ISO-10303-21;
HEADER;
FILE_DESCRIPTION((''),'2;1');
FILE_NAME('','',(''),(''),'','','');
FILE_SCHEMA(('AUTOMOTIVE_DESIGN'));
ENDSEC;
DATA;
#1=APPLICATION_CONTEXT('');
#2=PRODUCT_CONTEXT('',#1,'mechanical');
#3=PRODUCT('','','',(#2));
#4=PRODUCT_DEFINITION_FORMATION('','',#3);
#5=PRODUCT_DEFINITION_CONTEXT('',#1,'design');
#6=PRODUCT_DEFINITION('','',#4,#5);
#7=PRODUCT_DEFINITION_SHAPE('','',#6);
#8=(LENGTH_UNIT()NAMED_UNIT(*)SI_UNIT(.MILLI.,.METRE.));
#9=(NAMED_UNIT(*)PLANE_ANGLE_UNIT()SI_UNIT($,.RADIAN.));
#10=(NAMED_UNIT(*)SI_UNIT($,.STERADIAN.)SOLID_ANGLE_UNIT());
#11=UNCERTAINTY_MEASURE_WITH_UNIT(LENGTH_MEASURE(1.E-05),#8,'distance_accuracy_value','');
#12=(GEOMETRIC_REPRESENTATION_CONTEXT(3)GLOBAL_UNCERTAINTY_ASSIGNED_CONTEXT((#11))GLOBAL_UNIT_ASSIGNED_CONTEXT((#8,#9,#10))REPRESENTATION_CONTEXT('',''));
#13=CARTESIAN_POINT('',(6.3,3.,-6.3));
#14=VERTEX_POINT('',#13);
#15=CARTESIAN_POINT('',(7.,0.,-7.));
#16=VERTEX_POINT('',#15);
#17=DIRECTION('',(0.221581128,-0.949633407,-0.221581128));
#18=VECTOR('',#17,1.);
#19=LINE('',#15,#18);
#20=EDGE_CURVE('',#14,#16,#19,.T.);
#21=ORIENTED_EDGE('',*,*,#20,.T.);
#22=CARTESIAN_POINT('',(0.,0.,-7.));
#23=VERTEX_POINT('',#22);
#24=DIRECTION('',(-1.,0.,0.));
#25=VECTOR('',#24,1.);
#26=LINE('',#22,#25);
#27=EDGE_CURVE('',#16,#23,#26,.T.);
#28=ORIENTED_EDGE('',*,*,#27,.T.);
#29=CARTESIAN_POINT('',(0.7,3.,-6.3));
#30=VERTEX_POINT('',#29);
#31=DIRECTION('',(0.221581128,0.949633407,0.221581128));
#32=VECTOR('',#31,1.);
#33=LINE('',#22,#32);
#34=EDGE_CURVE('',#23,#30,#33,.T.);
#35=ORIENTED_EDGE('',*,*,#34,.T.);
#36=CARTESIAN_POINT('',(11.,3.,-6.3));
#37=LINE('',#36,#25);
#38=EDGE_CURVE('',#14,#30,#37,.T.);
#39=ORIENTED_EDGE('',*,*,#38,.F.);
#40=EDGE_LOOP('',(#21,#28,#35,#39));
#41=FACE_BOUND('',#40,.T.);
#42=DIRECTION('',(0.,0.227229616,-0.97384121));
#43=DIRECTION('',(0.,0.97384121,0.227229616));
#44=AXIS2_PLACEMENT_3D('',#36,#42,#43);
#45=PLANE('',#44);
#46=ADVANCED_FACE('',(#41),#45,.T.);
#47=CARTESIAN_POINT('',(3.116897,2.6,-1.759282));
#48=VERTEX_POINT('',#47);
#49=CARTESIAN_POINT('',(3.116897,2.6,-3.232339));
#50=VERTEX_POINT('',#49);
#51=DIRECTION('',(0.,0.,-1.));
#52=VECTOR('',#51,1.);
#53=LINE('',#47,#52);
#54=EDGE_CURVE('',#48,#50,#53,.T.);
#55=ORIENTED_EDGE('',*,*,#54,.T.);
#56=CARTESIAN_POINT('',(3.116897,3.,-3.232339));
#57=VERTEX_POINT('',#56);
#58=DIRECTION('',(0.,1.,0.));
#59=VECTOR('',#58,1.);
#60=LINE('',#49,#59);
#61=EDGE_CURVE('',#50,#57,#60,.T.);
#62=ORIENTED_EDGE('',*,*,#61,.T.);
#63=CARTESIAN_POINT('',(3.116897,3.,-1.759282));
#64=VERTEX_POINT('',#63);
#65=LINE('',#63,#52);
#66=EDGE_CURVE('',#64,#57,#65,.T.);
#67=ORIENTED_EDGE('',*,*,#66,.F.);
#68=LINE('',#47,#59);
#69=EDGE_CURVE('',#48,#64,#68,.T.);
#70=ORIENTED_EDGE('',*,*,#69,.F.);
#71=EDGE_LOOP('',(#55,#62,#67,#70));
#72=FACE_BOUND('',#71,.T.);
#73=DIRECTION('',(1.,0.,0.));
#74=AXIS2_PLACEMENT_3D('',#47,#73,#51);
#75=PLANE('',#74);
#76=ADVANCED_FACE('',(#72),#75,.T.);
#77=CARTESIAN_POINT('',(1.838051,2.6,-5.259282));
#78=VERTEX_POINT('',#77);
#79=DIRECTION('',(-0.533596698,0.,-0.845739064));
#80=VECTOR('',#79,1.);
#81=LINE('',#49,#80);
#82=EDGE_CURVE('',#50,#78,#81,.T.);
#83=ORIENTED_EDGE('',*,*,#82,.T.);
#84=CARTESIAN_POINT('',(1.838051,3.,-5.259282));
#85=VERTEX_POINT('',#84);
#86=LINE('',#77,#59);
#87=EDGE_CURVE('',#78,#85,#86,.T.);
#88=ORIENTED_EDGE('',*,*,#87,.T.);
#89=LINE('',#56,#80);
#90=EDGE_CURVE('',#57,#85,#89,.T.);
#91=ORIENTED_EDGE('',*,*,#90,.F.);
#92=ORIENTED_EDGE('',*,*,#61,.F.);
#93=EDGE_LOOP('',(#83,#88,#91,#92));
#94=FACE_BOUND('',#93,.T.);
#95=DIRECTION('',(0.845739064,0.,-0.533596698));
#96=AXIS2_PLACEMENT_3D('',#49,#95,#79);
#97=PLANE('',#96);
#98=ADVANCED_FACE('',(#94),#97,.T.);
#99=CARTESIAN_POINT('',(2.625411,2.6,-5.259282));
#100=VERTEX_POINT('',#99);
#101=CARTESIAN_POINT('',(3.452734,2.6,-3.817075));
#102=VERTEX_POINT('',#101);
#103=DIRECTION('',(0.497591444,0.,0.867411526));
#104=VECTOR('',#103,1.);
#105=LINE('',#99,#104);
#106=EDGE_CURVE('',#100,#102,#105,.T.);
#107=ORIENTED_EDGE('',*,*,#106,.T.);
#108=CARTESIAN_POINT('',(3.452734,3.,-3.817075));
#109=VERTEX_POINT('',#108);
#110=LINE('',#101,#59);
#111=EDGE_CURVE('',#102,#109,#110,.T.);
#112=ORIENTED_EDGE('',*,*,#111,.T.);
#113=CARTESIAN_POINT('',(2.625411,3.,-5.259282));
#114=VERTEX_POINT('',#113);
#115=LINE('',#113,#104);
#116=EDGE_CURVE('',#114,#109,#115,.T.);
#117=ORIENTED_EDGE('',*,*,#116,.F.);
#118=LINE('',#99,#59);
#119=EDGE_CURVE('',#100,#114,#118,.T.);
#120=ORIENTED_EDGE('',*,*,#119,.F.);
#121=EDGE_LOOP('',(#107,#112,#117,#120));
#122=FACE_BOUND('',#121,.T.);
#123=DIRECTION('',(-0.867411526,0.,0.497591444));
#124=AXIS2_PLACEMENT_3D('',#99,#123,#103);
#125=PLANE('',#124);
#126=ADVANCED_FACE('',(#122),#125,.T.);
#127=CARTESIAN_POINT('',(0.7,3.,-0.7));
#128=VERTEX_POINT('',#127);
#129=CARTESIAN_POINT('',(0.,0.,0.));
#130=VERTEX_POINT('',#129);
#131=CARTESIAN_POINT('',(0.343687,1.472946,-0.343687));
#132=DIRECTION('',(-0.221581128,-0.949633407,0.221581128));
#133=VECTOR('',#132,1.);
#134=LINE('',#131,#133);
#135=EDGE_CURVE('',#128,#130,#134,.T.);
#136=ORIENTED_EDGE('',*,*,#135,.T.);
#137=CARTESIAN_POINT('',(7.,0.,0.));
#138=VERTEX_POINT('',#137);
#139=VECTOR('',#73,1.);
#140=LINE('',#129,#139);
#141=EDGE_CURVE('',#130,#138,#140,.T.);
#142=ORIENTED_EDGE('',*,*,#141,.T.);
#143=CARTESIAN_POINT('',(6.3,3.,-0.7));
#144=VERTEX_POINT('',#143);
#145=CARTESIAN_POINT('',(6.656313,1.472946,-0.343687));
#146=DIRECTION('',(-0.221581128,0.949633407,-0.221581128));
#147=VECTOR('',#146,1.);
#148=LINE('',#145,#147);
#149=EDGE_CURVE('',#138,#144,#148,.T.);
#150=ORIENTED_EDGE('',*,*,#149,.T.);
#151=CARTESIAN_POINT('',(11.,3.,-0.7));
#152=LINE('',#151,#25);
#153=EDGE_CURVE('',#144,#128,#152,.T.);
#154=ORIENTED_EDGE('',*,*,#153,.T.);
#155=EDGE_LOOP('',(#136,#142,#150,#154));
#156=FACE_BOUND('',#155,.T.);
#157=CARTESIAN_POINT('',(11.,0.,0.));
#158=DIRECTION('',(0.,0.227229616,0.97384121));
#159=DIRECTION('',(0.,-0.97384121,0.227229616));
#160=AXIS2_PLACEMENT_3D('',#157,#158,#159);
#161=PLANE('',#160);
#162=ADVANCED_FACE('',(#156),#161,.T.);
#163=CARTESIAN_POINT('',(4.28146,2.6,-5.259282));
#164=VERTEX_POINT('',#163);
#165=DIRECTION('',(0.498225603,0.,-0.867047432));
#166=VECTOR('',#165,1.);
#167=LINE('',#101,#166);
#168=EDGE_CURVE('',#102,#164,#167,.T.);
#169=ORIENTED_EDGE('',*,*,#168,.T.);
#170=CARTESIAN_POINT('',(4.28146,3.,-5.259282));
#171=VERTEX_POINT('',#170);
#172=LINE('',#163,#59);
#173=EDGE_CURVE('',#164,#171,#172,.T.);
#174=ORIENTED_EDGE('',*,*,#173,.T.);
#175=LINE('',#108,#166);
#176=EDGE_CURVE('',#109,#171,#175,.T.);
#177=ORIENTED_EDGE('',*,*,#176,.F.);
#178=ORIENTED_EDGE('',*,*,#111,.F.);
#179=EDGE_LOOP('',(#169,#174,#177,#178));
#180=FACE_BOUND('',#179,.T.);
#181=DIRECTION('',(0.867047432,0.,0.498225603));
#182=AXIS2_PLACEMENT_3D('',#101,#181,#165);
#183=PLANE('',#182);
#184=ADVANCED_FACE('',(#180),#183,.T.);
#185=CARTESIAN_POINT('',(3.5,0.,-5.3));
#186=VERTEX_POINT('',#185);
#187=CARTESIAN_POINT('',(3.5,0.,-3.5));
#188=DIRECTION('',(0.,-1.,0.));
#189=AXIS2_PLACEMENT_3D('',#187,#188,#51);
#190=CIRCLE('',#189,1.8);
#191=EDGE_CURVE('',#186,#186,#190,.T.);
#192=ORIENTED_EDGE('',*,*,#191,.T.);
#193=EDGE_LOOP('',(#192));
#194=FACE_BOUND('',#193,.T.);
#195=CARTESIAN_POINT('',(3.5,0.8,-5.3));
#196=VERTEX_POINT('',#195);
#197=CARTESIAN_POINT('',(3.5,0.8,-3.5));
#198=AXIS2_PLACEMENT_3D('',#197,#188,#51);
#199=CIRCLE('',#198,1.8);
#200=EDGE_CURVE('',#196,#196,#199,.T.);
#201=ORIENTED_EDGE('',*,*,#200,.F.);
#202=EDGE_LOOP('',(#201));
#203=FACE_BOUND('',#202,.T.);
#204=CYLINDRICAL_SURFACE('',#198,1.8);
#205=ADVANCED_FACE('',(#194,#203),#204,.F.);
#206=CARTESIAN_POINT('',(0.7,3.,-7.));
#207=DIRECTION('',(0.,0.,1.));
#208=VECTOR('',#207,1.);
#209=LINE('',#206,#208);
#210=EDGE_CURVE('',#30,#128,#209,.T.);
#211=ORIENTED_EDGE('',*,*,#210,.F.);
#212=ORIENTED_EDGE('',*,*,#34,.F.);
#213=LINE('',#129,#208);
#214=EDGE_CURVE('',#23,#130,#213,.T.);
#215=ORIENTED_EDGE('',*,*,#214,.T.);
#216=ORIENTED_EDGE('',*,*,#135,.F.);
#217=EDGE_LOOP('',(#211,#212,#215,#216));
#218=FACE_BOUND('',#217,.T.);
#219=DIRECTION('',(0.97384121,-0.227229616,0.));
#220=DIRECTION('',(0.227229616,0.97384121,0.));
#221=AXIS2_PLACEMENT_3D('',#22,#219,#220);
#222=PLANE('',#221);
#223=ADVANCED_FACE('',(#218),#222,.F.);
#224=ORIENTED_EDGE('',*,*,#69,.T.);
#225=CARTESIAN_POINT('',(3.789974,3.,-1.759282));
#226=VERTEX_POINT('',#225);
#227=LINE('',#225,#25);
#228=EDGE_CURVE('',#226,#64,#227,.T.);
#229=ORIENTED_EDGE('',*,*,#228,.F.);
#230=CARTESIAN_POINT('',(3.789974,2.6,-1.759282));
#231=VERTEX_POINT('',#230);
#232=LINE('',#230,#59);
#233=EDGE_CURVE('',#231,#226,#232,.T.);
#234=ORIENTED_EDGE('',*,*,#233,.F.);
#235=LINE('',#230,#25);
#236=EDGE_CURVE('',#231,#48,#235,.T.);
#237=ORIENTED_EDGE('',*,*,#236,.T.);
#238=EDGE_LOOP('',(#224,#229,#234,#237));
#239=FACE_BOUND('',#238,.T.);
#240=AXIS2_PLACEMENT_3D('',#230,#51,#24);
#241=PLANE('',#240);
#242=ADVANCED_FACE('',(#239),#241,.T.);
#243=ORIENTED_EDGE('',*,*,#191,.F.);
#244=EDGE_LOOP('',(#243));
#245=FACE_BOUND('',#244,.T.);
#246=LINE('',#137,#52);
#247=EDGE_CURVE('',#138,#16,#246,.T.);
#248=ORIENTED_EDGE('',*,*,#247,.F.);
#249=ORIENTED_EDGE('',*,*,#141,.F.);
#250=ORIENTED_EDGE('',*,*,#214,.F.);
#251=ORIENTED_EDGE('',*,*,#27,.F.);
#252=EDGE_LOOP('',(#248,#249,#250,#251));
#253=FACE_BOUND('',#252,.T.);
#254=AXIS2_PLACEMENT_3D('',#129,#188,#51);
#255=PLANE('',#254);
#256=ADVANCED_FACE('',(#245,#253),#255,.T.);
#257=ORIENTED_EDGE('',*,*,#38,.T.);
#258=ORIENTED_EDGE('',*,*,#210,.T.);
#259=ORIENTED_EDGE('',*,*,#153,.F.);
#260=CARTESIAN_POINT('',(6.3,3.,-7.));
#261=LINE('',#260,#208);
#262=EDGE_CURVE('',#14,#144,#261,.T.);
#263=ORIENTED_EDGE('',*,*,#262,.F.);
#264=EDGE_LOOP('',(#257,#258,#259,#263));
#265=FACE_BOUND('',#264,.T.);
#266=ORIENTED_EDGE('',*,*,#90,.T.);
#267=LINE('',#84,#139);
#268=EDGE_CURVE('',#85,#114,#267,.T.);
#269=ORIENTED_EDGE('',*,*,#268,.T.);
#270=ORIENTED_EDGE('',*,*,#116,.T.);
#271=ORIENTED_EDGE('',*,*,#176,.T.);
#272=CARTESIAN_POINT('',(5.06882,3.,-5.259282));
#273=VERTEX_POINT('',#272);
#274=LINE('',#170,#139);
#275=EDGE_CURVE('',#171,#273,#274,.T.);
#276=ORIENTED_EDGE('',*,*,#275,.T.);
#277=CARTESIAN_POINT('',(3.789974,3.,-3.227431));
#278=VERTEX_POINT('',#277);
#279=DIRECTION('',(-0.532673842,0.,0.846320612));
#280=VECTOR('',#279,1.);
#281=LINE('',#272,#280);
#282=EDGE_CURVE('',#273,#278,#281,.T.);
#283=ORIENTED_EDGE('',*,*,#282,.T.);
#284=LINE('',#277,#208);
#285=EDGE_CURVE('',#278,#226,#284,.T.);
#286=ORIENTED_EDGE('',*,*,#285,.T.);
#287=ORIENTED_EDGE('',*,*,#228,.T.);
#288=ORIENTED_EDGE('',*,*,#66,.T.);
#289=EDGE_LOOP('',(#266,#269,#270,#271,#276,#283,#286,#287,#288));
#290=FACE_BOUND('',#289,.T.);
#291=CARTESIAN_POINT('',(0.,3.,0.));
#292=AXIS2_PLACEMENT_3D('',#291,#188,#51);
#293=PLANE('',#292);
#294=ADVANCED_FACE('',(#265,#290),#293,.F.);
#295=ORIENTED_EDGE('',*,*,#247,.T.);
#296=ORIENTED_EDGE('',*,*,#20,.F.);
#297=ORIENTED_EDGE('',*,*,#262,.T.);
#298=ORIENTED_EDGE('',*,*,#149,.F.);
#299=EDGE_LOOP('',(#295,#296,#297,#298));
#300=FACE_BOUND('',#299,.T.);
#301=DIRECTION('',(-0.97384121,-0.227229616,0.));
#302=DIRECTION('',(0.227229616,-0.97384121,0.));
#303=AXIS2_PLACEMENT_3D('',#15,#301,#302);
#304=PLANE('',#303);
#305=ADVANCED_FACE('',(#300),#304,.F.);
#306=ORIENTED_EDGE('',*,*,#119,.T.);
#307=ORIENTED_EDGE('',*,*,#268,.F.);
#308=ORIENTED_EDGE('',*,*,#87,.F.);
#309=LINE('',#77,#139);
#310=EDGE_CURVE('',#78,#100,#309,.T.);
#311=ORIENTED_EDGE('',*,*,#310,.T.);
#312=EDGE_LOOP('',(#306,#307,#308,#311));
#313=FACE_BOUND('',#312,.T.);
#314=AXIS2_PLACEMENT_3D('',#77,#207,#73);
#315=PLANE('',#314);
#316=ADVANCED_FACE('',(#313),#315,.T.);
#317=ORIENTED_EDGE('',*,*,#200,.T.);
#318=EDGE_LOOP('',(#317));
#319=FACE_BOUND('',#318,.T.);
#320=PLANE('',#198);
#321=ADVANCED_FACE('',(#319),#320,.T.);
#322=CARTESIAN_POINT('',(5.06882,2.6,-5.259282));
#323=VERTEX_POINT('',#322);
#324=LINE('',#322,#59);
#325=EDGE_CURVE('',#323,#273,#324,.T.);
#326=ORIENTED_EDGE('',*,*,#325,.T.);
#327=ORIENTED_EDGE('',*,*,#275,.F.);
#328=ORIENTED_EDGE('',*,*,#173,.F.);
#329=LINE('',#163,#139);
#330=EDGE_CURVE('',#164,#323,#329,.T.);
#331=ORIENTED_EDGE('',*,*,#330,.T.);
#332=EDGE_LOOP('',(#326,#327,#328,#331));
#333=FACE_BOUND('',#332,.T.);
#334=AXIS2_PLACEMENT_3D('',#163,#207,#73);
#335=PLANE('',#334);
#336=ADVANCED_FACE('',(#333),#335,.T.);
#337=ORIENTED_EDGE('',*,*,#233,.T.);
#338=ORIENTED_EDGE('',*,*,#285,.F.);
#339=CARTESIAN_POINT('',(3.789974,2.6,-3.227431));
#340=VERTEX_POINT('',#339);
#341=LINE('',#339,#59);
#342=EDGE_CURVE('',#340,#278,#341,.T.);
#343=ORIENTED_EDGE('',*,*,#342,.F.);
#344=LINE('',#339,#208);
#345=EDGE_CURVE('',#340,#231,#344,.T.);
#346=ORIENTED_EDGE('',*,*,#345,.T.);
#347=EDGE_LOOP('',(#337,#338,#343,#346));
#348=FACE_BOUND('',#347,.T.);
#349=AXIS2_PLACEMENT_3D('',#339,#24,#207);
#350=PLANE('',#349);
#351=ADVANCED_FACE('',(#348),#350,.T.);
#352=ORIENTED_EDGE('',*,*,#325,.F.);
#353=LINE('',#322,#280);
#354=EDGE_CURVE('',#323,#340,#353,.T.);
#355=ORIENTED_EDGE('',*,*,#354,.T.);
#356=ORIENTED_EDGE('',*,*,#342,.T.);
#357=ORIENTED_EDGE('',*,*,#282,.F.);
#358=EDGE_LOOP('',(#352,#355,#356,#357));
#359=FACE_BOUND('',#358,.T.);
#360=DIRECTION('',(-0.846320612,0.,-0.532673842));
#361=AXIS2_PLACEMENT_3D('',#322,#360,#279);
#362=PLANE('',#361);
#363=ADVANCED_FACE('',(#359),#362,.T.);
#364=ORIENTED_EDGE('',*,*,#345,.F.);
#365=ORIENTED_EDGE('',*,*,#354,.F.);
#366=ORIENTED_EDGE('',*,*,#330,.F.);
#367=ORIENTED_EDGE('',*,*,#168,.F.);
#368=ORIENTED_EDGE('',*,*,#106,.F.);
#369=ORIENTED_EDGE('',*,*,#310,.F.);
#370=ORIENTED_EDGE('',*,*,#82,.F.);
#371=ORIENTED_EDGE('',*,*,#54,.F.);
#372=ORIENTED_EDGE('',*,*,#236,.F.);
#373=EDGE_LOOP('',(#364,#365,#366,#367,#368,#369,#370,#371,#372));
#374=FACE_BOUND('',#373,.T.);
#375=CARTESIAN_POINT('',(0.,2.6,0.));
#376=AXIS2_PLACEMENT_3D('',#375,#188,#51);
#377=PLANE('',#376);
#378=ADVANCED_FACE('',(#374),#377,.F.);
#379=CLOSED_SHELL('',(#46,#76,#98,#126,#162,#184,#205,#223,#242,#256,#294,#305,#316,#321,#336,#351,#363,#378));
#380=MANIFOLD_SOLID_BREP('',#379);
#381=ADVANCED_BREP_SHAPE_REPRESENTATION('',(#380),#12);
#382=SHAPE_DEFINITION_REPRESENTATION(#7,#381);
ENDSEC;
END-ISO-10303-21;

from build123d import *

# Parameters (mm, degrees)
SKETCH1_W           = 7
SKETCH1_H           = 7
BOSS_EXTRUDE1_DEPTH = 3
CUT_EXTRUDE1_DEPTH  = 7
CUT_EXTRUDE2_DEPTH  = 11
SKETCH4_R           = 1.8
CUT_EXTRUDE3_DEPTH  = 0.8
CUT_EXTRUDE4_DEPTH  = 0.4


with BuildPart() as part:
    # Sketch1 → Boss-Extrude1 (new body)
    with BuildSketch(Plane(origin=(0, 0, 0), x_dir=(1, 0, 0), z_dir=(0, 1, 0))):
        with Locations((3.5, 3.5)):
            Rectangle(SKETCH1_W, SKETCH1_H)
    extrude(amount=BOSS_EXTRUDE1_DEPTH)

    # Sketch2 → Cut-Extrude1 (cut)
    with BuildSketch(Plane.XY):
        Polygon((0, 0), (0.7, 3), (0, 3), align=None)
        Polygon((7, 0), (6.3, 3), (7, 3), align=None)
    extrude(amount=-CUT_EXTRUDE1_DEPTH, mode=Mode.SUBTRACT)

    # Sketch3 → Cut-Extrude2 (cut)
    with BuildSketch(Plane(origin=(0, 0, 0), x_dir=(0, 0, -1), z_dir=(1, 0, 0))):
        Polygon((0, 0), (0.7, 3), (0, 3), align=None)
        Polygon((7, 3), (6.3, 3), (7, 0), align=None)
    extrude(amount=CUT_EXTRUDE2_DEPTH, mode=Mode.SUBTRACT)

    # Sketch4 → Cut-Extrude3 (cut)
    with BuildSketch(Plane.XZ):
        with Locations(Location((3.5, -3.5, 0), (0, 0, 270))):
            Circle(SKETCH4_R)
    extrude(amount=-CUT_EXTRUDE3_DEPTH, mode=Mode.SUBTRACT)

    # Sketch5 → Cut-Extrude4 (cut)
    with BuildSketch(Plane(origin=(0, 3, 0), x_dir=(1, 0, 0), z_dir=(0, 1, 0))):
        Polygon((3.116897122, 1.759282352), (3.116897122, 3.232339243), (1.838050969, 5.259282352), (2.625410744, 5.259282352), (3.452734462, 3.81707482), (4.281460424, 5.259282352), (5.068820199, 5.259282352), (3.789974045, 3.22743139), (3.789974045, 1.759282352), align=None)
    extrude(amount=-CUT_EXTRUDE4_DEPTH, mode=Mode.SUBTRACT)


solid = part.part
